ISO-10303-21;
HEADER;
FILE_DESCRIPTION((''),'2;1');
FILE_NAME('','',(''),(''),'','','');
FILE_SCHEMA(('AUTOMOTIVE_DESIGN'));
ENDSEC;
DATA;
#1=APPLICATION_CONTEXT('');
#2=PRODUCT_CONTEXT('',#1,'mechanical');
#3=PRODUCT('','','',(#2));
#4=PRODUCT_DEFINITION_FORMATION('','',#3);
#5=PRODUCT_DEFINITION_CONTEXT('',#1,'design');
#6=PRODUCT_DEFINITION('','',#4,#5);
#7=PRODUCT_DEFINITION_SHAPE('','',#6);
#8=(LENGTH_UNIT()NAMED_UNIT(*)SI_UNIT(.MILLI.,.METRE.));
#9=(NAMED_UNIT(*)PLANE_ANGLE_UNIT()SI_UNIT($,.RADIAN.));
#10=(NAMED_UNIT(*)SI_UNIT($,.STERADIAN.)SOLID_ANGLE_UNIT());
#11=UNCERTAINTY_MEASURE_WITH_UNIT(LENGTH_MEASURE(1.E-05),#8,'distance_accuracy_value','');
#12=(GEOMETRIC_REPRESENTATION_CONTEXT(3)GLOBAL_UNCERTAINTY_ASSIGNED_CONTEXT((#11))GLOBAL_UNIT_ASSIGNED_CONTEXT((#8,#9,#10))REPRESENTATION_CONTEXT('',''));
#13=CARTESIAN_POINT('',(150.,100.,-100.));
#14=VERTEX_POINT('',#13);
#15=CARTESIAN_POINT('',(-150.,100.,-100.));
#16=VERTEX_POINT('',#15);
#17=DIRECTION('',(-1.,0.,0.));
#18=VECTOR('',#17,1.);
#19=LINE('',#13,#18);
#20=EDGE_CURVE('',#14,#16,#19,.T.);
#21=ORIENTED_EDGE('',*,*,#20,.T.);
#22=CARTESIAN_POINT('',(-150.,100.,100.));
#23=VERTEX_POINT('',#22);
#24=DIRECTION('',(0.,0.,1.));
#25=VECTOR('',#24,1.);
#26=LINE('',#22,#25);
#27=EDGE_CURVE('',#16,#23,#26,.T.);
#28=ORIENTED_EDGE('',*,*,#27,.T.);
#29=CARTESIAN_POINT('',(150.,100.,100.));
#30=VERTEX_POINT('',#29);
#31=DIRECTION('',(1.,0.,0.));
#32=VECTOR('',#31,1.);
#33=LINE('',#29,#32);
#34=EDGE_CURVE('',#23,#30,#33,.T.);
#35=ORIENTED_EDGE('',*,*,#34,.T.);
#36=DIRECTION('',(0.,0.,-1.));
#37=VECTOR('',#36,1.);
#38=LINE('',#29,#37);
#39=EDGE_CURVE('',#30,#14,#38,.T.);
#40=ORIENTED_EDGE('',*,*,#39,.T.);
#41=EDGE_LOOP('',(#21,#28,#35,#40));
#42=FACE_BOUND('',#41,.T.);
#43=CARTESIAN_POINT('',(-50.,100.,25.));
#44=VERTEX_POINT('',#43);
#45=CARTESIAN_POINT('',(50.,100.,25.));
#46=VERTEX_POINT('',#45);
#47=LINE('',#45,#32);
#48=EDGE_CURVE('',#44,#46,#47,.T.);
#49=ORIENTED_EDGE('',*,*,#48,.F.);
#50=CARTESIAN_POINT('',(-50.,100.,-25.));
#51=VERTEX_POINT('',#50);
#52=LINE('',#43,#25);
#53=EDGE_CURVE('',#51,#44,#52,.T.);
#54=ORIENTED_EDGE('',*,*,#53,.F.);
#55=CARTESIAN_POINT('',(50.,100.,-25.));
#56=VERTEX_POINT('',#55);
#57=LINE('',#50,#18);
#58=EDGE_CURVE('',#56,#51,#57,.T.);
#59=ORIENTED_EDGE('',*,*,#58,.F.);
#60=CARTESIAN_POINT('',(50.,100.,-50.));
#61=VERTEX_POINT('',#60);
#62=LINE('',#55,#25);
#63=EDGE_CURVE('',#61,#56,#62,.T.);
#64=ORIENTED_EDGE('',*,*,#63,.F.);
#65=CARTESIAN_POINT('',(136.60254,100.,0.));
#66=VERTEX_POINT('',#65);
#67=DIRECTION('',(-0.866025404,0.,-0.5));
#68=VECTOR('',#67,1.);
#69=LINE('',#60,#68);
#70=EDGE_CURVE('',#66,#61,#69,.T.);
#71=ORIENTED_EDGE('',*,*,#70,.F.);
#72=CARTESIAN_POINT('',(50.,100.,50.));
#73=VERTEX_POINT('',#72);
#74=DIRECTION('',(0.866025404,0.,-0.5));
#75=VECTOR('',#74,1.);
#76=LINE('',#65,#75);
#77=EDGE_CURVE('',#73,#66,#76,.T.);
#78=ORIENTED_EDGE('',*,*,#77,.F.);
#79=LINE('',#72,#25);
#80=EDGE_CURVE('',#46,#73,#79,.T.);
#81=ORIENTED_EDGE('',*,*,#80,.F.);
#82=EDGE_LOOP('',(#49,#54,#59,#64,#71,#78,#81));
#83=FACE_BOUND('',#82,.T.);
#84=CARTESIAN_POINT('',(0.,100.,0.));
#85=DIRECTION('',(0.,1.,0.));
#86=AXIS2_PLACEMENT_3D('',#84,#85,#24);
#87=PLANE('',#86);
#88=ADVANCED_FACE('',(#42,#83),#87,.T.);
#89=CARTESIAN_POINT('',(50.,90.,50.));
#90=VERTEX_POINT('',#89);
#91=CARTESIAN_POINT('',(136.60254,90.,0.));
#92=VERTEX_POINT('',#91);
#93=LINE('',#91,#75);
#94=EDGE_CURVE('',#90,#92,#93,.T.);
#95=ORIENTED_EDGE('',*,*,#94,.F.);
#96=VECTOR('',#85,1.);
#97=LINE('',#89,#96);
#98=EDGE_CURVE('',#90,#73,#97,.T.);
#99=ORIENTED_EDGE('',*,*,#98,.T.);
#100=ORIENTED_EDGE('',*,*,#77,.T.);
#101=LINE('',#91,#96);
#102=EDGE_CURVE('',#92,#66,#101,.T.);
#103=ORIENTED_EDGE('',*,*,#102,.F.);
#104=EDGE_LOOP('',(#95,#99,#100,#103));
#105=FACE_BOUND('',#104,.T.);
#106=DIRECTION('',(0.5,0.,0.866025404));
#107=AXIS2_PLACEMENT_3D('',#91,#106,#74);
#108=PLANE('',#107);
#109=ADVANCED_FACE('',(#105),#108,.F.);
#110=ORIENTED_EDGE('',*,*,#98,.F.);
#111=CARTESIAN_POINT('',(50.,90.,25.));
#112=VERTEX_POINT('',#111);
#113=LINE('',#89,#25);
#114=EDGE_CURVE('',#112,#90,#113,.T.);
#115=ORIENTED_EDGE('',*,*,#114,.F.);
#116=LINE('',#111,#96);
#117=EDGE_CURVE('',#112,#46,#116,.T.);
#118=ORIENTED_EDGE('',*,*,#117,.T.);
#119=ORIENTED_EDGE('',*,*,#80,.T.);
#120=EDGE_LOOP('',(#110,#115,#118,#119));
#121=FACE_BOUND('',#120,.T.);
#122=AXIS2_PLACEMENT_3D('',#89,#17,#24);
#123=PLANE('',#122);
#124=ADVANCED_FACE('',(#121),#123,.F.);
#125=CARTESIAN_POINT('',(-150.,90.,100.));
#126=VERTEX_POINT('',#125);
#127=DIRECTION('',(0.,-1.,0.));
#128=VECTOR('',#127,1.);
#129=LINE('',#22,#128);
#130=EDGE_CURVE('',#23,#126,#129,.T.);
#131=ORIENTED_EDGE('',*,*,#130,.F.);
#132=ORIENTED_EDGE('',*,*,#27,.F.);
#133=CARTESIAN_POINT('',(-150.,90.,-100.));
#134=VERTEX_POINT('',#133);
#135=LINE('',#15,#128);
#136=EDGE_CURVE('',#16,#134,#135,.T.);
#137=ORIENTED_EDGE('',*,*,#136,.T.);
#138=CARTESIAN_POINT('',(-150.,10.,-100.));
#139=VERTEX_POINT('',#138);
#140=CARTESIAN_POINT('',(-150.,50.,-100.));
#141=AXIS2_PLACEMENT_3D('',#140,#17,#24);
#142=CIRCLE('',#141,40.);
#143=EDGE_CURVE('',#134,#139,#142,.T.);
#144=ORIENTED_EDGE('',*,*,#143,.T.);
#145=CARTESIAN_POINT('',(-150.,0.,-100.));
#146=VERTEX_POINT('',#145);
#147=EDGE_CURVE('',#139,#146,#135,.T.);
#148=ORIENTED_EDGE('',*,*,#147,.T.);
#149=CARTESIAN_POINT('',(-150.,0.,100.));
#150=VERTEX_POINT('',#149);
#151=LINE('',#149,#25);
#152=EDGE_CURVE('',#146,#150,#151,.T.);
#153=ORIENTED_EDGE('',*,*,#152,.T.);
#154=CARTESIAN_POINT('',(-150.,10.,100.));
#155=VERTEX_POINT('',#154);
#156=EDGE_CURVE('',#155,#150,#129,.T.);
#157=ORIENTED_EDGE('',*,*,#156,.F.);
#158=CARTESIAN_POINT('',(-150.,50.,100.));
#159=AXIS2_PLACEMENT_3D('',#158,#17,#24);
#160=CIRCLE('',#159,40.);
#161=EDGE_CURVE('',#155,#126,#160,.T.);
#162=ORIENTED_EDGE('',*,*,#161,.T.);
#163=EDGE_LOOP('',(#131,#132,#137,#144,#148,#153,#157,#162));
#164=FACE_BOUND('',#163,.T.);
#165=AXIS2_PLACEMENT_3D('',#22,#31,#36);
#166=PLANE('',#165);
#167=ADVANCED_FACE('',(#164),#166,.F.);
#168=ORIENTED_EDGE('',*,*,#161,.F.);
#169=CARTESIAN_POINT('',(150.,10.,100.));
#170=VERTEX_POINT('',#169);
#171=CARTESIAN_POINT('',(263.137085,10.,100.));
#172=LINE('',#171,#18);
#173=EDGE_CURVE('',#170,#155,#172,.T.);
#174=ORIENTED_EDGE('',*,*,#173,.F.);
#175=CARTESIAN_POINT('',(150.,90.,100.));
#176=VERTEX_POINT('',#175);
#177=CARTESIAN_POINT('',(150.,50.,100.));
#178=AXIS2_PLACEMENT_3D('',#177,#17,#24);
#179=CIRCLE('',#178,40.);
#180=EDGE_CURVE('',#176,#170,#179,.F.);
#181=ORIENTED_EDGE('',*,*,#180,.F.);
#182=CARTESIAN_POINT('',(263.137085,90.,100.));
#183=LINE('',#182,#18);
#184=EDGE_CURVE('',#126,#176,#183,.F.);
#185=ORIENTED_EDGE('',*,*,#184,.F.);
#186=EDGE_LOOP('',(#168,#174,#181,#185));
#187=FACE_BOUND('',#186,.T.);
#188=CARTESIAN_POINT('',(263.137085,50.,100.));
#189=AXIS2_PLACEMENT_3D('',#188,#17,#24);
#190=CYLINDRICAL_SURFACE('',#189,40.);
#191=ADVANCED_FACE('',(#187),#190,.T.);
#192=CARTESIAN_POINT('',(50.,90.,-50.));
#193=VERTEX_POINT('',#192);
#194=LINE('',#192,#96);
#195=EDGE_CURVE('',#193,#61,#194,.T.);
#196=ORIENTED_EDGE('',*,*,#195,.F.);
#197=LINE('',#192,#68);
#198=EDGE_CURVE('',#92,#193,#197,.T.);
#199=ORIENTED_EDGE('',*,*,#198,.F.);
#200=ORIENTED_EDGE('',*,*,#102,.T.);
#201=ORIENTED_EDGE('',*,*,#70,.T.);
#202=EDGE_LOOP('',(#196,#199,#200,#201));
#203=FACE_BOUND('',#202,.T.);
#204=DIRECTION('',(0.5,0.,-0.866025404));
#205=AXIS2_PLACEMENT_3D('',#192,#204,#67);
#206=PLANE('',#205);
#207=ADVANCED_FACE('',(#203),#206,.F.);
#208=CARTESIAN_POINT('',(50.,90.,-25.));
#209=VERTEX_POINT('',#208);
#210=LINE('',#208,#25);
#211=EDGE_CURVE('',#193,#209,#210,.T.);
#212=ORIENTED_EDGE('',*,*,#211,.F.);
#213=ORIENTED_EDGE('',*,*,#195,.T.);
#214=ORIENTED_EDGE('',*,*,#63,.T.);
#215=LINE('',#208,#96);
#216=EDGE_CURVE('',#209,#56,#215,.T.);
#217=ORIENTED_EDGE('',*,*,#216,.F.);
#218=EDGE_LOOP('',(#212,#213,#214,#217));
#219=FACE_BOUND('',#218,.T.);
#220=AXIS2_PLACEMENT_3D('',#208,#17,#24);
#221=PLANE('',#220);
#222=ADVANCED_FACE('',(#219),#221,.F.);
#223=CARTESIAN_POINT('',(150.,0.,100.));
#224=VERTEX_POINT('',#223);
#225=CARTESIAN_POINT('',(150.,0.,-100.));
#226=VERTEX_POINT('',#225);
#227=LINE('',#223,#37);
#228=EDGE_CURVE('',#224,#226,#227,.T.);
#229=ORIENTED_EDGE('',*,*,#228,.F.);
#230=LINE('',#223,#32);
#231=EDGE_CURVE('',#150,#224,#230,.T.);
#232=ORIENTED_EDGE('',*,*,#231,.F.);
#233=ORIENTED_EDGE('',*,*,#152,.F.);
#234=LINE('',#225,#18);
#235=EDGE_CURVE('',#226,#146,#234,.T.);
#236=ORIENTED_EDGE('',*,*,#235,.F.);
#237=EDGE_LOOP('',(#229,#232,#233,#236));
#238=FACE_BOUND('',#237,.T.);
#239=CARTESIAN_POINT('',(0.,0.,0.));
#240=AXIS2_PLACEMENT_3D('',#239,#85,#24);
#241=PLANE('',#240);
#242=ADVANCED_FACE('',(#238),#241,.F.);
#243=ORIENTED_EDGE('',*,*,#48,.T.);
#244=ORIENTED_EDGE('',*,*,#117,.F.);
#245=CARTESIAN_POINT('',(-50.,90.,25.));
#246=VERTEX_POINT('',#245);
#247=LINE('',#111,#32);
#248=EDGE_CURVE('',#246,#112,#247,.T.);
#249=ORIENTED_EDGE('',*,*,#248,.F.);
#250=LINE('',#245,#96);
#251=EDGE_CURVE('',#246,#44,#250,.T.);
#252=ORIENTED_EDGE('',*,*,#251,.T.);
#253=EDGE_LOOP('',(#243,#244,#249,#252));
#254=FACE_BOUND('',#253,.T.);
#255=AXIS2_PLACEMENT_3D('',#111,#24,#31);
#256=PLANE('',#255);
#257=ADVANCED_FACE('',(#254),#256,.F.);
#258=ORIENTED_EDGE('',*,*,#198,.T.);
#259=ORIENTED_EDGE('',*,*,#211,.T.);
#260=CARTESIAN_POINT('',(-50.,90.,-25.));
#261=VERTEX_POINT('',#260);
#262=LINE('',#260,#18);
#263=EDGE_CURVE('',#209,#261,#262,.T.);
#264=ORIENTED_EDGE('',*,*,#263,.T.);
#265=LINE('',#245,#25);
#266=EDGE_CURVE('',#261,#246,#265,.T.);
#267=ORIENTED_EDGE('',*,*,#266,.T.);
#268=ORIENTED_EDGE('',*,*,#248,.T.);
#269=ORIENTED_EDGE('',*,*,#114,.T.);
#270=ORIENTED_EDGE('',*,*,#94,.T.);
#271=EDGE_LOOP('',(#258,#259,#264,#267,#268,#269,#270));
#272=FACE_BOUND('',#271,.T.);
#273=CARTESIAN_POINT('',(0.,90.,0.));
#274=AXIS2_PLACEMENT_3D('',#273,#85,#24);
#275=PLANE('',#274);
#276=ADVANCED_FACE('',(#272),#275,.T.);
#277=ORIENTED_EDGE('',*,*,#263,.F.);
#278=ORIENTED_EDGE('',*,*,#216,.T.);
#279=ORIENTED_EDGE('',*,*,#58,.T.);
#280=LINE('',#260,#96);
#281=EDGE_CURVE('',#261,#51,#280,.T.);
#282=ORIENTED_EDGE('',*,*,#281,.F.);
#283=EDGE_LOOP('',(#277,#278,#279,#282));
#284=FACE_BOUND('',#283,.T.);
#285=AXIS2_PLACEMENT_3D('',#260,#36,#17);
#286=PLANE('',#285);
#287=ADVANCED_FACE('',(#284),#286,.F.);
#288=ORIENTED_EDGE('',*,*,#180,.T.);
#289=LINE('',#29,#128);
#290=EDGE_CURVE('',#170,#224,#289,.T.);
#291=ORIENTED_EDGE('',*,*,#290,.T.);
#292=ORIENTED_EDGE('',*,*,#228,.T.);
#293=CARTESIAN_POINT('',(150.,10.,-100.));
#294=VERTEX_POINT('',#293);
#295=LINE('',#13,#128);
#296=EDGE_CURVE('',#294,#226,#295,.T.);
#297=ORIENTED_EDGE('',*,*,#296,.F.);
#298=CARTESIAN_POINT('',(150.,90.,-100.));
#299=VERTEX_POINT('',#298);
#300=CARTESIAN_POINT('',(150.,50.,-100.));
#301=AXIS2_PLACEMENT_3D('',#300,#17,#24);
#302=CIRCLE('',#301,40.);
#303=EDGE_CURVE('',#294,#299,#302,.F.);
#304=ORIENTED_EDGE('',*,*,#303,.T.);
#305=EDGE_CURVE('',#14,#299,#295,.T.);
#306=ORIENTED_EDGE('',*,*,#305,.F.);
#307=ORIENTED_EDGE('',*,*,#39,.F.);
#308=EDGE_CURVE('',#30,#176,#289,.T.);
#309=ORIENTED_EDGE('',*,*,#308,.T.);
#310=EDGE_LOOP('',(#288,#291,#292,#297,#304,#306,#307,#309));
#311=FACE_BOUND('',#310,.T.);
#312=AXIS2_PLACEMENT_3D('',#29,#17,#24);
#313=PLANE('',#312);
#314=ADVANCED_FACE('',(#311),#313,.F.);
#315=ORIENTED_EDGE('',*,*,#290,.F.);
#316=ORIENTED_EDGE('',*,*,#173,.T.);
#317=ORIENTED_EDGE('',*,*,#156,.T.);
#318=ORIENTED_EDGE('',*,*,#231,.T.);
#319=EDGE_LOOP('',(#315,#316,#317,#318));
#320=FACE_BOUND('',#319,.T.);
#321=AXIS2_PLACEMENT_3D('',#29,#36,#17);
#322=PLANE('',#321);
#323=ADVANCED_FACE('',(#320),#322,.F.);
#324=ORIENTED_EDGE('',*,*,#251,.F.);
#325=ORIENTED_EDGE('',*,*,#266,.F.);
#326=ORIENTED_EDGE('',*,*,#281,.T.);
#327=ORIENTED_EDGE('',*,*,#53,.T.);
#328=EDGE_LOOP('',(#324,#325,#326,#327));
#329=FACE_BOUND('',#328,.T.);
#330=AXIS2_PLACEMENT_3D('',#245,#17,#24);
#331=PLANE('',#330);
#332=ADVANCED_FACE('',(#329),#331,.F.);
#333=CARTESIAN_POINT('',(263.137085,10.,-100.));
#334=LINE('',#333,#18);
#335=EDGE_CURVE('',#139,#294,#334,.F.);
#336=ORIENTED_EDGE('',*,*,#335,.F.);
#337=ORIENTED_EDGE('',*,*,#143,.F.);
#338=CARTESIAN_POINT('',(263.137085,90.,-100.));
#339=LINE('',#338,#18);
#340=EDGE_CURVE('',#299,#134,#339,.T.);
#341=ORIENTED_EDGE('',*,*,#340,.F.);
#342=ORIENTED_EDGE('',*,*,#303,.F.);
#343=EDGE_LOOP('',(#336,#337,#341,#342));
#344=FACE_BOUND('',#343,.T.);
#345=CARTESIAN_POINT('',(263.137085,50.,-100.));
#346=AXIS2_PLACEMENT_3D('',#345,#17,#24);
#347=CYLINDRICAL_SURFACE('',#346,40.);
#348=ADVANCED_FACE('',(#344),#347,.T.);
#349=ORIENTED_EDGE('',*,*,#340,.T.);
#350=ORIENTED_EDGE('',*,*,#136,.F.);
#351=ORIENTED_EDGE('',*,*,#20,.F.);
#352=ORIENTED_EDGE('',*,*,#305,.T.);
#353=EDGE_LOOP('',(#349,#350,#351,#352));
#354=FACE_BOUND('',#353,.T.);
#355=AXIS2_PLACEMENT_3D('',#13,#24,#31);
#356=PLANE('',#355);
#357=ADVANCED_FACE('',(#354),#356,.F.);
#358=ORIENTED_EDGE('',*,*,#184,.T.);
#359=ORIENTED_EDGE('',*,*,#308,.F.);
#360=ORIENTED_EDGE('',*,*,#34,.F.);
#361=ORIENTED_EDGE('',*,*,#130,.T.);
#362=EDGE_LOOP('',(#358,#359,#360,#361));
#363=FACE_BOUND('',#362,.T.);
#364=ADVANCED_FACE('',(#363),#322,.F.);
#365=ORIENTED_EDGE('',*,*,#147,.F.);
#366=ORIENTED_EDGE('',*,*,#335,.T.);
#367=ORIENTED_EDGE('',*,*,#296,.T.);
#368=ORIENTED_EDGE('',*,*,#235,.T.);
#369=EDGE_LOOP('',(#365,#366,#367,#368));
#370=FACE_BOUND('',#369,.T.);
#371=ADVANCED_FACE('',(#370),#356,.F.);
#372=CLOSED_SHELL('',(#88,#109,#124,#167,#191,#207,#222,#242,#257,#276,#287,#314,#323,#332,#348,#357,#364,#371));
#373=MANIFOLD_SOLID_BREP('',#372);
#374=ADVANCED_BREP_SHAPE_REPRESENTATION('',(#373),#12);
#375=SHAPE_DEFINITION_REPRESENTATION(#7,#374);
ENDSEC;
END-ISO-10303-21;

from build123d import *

# Parameters (mm, degrees)
SKETCH1_W           = 300
SKETCH1_H           = 200
BOSS_EXTRUDE2_DEPTH = 100
SKETCH2_R           = 40
BOSS_EXTRUDE3_DEPTH = 300
CUT_EXTRUDE1_DEPTH  = 10


with BuildPart() as part:
    # Sketch1 → Boss-Extrude2 (new body)
    with BuildSketch(Plane(origin=(0, 0, 0), x_dir=(1, 0, 0), z_dir=(0, 1, 0))):
        Rectangle(SKETCH1_W, SKETCH1_H)
    extrude(amount=BOSS_EXTRUDE2_DEPTH)

    # Sketch2 → Boss-Extrude3 (add)
    with BuildSketch(Plane.ZY.offset(150)):
        with Locations((100, 50)):
            Circle(SKETCH2_R)
        with Locations((-100, 50)):
            Circle(SKETCH2_R)
    extrude(amount=-BOSS_EXTRUDE3_DEPTH)

    # Sketch3 → Cut-Extrude1 (cut)
    with BuildSketch(Plane(origin=(0, 100, 0), x_dir=(1, 0, 0), z_dir=(0, 1, 0))):
        Polygon((50, 25), (50, 50), (136.602540378, 0), (50, -50), (50, -25), (-50, -25), (-50, 25), align=None)
    extrude(amount=-CUT_EXTRUDE1_DEPTH, mode=Mode.SUBTRACT)


solid = part.part
